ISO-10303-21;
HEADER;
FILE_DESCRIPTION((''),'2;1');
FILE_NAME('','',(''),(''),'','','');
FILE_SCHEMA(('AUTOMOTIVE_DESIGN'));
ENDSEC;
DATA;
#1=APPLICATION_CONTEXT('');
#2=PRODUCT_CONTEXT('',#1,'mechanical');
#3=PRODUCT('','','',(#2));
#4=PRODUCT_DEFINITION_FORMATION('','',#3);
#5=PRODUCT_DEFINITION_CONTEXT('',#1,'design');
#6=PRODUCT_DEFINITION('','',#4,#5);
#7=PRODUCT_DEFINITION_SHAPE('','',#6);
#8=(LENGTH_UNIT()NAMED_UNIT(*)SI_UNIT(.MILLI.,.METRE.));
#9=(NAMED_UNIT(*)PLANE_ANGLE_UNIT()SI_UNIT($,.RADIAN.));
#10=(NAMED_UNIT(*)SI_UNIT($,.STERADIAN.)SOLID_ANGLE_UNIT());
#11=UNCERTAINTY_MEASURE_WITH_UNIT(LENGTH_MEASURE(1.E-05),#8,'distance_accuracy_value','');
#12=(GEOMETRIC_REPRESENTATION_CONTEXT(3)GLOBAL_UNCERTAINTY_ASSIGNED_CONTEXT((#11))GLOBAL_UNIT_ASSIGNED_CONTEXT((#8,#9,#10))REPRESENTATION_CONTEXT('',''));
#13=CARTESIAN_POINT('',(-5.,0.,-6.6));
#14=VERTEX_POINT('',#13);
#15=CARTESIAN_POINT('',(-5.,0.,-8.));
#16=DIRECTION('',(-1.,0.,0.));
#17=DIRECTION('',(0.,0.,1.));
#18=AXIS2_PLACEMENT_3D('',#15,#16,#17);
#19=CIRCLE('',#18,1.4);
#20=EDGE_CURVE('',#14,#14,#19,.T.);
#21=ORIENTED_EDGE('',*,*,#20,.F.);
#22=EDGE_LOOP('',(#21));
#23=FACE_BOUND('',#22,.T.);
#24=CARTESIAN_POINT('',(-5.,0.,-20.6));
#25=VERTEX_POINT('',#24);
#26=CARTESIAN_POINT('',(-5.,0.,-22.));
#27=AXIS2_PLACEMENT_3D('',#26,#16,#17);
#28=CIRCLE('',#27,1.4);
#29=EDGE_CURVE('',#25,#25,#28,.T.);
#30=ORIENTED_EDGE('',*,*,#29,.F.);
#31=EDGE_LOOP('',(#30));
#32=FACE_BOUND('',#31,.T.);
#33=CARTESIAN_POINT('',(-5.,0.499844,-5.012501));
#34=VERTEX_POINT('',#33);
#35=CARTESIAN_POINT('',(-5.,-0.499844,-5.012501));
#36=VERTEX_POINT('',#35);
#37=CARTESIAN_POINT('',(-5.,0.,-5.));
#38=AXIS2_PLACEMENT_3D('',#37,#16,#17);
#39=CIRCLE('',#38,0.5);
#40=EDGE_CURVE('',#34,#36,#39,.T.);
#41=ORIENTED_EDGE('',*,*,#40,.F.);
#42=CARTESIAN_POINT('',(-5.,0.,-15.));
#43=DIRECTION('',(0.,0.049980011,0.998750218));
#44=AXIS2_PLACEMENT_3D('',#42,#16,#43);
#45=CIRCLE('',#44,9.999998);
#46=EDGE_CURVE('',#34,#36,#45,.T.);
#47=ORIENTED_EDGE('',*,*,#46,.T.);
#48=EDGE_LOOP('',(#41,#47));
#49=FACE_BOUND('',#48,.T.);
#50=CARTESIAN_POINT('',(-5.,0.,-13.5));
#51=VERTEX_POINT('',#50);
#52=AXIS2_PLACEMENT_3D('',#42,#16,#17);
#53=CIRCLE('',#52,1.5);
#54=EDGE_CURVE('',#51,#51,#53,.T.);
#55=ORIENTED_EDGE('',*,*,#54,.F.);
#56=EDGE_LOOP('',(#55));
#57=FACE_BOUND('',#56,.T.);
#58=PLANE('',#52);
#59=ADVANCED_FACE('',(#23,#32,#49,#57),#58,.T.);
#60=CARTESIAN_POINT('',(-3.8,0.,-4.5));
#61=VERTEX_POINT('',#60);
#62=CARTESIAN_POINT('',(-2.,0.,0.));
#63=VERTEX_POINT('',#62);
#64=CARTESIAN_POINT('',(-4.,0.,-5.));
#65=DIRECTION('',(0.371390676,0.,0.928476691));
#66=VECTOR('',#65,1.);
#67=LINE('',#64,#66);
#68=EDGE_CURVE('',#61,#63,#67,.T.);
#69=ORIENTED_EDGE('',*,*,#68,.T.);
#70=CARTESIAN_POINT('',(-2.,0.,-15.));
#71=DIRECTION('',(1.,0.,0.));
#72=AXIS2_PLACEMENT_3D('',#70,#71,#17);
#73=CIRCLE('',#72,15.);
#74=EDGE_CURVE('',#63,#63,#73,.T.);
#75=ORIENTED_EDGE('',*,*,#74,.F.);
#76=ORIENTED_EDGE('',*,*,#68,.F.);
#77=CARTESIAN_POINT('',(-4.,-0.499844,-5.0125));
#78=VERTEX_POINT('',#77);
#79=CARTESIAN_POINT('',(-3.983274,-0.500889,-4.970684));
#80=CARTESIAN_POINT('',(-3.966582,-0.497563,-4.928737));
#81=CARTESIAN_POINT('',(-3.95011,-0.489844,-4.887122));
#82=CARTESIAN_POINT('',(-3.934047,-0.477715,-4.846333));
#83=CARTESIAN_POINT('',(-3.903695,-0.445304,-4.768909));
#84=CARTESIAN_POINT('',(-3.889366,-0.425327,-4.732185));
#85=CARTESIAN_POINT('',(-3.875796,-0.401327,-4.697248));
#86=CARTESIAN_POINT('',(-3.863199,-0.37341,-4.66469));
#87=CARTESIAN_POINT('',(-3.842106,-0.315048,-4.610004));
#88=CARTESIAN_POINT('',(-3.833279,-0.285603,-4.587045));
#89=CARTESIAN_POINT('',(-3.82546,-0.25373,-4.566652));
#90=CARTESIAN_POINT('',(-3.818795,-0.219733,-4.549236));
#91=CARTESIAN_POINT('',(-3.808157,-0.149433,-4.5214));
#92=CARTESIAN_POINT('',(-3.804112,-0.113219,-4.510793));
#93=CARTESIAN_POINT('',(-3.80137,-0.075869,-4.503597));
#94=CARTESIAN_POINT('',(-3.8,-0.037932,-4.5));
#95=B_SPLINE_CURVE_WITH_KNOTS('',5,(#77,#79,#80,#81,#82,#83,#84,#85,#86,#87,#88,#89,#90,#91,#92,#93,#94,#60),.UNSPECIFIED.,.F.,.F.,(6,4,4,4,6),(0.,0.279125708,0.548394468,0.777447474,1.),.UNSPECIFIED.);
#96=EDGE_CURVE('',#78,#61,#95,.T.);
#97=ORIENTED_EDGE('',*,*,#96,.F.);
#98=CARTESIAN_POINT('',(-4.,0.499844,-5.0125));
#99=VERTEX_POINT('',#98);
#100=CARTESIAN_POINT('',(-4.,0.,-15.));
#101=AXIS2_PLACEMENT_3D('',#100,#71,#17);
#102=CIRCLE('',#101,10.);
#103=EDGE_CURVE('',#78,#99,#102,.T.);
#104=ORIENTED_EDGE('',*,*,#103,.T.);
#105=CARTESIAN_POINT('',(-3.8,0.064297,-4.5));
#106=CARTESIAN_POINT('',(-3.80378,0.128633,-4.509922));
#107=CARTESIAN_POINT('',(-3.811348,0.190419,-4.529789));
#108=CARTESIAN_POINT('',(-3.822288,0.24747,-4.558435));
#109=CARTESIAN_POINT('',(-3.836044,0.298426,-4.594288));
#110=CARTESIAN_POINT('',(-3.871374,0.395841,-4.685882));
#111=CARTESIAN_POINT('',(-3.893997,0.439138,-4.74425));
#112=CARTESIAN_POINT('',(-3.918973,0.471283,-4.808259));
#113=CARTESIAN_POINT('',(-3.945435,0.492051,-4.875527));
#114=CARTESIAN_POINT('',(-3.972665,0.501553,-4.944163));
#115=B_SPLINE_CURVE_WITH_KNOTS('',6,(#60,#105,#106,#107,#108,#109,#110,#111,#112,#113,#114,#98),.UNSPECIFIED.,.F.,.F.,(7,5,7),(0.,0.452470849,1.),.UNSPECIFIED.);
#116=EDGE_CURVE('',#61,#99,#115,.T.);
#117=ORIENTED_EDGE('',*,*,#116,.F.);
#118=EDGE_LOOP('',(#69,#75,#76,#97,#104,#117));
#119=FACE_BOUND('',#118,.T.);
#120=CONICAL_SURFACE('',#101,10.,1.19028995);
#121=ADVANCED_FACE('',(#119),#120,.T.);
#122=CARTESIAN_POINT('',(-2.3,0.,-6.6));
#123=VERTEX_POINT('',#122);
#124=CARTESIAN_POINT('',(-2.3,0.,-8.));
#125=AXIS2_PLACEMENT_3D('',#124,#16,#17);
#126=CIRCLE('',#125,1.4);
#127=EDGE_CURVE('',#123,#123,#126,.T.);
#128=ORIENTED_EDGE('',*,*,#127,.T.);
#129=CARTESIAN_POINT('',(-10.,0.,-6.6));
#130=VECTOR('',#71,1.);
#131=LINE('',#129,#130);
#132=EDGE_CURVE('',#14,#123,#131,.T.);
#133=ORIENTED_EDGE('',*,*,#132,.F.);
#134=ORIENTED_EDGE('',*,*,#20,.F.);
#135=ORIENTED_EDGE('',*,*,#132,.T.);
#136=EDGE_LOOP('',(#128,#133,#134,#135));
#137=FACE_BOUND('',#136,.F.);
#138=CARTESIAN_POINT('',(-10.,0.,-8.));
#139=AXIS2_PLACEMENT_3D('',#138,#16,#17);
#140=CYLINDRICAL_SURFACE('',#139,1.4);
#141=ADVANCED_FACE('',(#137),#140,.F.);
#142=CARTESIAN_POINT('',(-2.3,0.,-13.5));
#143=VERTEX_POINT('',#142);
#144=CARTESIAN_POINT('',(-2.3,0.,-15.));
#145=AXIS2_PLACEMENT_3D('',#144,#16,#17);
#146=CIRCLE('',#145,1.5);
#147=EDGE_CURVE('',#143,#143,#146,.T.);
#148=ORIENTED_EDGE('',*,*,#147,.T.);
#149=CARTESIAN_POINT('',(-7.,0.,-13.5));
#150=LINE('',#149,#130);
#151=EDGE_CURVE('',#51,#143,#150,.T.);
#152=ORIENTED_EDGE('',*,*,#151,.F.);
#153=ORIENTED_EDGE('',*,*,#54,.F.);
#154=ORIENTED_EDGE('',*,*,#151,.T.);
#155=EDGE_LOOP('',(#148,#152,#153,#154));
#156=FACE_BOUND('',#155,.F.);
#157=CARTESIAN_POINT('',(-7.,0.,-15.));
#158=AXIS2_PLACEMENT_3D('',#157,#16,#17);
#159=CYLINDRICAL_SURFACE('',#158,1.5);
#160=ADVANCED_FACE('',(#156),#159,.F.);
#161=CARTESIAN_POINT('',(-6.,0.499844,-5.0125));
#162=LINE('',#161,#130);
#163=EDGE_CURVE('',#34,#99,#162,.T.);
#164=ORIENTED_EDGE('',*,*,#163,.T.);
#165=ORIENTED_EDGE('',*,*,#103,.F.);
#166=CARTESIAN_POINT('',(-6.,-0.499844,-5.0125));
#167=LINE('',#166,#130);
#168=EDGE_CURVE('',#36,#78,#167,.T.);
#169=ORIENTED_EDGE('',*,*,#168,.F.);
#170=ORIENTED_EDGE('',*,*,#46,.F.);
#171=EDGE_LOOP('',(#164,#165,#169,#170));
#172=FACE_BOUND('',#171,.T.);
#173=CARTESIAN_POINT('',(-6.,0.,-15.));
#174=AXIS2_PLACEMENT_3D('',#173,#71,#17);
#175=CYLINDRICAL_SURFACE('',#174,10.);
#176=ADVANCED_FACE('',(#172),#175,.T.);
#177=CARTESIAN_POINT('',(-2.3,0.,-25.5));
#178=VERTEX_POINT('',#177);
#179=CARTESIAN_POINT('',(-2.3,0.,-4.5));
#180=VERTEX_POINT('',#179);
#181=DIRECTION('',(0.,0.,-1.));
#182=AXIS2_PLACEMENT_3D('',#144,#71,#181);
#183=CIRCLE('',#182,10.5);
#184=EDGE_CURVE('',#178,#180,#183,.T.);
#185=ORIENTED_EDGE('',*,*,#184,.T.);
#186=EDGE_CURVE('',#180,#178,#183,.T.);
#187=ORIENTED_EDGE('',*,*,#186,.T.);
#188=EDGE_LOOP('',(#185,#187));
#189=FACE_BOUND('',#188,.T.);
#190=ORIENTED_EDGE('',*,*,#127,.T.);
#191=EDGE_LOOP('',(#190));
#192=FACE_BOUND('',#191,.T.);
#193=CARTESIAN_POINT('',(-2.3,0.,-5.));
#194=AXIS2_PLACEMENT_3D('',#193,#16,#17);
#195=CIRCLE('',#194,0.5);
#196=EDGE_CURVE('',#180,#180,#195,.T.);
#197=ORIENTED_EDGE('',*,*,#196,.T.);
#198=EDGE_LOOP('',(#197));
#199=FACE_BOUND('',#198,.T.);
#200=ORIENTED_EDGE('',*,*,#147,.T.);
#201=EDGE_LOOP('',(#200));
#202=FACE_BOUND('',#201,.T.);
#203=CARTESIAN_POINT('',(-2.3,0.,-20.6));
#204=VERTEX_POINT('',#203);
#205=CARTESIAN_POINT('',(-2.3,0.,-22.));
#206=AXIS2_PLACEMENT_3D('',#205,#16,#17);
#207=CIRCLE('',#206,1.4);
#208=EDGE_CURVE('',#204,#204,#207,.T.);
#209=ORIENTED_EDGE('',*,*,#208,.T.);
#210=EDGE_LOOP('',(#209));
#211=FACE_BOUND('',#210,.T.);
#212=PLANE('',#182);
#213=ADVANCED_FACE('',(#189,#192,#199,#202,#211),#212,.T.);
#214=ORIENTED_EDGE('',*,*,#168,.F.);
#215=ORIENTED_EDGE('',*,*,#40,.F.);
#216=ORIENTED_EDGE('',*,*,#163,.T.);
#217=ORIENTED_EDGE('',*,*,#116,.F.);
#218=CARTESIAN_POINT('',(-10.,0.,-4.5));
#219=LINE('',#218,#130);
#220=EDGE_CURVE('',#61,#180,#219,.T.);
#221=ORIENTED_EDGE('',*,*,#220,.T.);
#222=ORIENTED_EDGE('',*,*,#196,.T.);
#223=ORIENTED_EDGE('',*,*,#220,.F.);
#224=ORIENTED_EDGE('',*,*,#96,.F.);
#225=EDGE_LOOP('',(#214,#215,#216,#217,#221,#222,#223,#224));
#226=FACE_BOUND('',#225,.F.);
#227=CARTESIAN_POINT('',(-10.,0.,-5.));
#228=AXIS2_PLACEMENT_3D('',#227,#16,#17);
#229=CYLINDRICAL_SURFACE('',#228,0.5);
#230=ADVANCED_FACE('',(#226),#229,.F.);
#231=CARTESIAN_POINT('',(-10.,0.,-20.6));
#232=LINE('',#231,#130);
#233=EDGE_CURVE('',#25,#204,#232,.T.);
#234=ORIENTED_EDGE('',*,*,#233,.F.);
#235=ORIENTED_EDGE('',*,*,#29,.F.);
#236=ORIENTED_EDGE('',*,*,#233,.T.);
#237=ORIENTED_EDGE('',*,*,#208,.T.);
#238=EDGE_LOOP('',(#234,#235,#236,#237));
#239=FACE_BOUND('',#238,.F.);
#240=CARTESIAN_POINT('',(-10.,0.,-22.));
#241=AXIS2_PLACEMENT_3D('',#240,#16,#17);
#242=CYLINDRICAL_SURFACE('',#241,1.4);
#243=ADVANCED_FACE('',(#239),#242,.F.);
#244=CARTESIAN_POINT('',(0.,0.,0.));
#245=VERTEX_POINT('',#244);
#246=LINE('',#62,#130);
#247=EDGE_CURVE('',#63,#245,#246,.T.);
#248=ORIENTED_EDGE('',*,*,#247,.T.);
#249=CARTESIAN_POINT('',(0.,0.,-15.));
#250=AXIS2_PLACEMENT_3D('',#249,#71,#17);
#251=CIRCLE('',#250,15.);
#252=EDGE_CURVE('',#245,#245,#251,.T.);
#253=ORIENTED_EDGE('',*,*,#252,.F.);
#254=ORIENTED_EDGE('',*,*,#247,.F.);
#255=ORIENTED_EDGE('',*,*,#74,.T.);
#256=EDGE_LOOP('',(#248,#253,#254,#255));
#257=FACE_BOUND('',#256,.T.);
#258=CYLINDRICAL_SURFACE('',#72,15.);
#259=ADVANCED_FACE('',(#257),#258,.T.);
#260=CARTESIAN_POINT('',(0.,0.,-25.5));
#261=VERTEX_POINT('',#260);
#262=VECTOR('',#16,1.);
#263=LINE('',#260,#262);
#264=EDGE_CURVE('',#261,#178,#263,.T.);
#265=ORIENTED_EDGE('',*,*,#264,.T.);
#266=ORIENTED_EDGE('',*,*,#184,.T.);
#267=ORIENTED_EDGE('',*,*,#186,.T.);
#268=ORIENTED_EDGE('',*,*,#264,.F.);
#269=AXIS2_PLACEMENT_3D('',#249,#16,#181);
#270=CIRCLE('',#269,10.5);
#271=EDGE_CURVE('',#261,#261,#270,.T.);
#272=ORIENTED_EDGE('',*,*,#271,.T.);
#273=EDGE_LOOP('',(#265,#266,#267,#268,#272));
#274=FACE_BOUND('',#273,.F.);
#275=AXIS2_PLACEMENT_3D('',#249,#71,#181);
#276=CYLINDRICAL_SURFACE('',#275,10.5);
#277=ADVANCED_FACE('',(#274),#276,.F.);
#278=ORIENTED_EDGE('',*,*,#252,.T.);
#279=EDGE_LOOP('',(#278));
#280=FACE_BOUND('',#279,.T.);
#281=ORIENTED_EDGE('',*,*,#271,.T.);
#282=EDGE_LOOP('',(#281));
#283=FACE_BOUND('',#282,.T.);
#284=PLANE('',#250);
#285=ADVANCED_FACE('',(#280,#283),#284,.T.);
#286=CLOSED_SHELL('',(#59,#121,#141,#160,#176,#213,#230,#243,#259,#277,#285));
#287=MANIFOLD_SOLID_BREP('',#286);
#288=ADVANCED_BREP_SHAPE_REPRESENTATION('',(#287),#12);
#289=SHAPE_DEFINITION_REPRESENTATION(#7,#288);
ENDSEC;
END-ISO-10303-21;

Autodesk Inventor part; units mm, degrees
ref_plane "YZ Plane" through (0, 0, 0) normal (1, 0, 0) x (0, 1, 0)
ref_plane "XZ Plane" through (0, 0, 0) normal (0, 1, 0) x (-1, 0, 0)
ref_plane "XY Plane" through (0, 0, 0) normal (0, 0, 1) x (1, 0, 0)
sketch "Náčrt1" plane through (0, 0, 0) normal (0, 1, 0) x (-1, 0, 0)
  line L0 (0, 0) -> (0, -15)
  line L1 (10, 0) -> (10, -15)
  line L2 (6, -5) -> (4, -5)
  line L3 (10, -15) -> (0, -15)
  line L4 (6, -5) -> (8, 0)
  line L5 (8, 0) -> (10, 0)
  line L6 (4, -5) -> (2, 0)
  line L7 (2, 0) -> (0, 0)
  dimension "d0" = 2
  dimension "d1" = 5
  dimension "d2" = 15
  dimension "d5" = 2
  dimension "d6" = 10
revolve "Rotace1" add sketch "Náčrt1" angle 360 about axis through (-10, 0, -15) along (1, 0, 0)
sketch "Náčrt2" plane through (0, 0, -15) normal (1, 0, 0) x (0, 0, -1)
  circle A0 centre (0, 0) radius 15 projected
  circle A1 centre (0, 0) radius 10 projected
  circle A2 centre (0, 0) radius 10.5
  point P0 (-15, 0)
  dimension "d8" = 21
extrude "Vysunutí1" cut sketch "Náčrt2" against normal blind 2.3 contours A1 | A2
sketch "Náčrt3" plane through (-10, 0, -15) normal (-1, 0, 0) x (0, 0, 1)
  circle A0 centre (0, 0) radius 15 projected
  circle A1 centre (0, 0) radius 3
  point P0 (15, 0)
  dimension "d11" = 6
extrude "Vysunutí2" cut sketch "Náčrt3" against normal blind 3 contours A1
sketch "Náčrt4" plane through (-7, 0, -15) normal (-1, 0, 0) x (0, 0, 1)
  circle A0 centre (0, 0) radius 15 projected
  circle A1 centre (0, 0) radius 10 projected
  circle A2 centre (0, 0) radius 1.5
  point P0 (15, 0)
  dimension "d14" = 3
extrude "Vysunutí3" cut sketch "Náčrt4" against normal through all contours A2
sketch "Náčrt5" plane through (-10, 0, -15) normal (-1, 0, 0) x (0, 0, 1)
  circle A0 centre (0, 0) radius 3 projected
  circle A1 centre (0, 0) radius 15 projected
  circle A2 centre (0, 0) radius 1.5 construction
  circle A3 centre (0, 0) radius 7 construction
  circle A4 centre (7, 0) radius 1.4
  circle A5 centre (0, 0) radius 10 construction
  circle A6 centre (10, 0) radius 0.5
  circle A7 centre (0, 0) radius 15 construction
  line L0 (0, 15) -> (0, -15) construction
  circle A8 centre (-7, 0) radius 1.4
  point P0 (15, 0)
  dimension "d17" = 8
  dimension "d18" = 2.8
  dimension "d21" = 5
  dimension "d22" = 1
extrude "Vysunutí4" cut sketch "Náčrt5" against normal through all contours A4 | A6 | A8
sketch "Náčrt6" plane through (-10, 0, -15) normal (-1, 0, 0) x (0, 0, 1)
  circle A0 centre (7, 0) radius 1.4 projected
  circle A1 centre (10, 0) radius 0.5 projected
  circle A2 centre (0, 0) radius 3 projected
  circle A3 centre (0, 0) radius 15 projected
  point P0 (15, 0)
ref_plane "Pracovní rovina1" through (-6, 0, -15) normal (-1, 0, 0) x (0, 0, 1)
split "Rozdělit1" plane through (-6, 0, -15) removes the side toward (-1, 0, 0)
sketch "Sketch7" plane through (-6, 0, -15) normal (-1, 0, 0) x (0, 0, 1)
  circle A0 centre (-7, 0) radius 1.5 projected
  circle A1 centre (7, 0) radius 1.4 projected
  arc A2 (9.9875, 0.4998) -> (9.9875, -0.4998) centre (10, 0) ccw projected
  arc A3 (9.9875, 0.4998) -> (9.9875, -0.4998) centre (0, 0) ccw projected
  circle A4 centre (0, 0) radius 1.5 projected
  point P0 (15, 0)
extrude "Extrusion5" cut sketch "Sketch7" against normal blind 1 contours A0 | A1 | A2 A3 | A4
properties part number "bubinek_BOTTOM"
